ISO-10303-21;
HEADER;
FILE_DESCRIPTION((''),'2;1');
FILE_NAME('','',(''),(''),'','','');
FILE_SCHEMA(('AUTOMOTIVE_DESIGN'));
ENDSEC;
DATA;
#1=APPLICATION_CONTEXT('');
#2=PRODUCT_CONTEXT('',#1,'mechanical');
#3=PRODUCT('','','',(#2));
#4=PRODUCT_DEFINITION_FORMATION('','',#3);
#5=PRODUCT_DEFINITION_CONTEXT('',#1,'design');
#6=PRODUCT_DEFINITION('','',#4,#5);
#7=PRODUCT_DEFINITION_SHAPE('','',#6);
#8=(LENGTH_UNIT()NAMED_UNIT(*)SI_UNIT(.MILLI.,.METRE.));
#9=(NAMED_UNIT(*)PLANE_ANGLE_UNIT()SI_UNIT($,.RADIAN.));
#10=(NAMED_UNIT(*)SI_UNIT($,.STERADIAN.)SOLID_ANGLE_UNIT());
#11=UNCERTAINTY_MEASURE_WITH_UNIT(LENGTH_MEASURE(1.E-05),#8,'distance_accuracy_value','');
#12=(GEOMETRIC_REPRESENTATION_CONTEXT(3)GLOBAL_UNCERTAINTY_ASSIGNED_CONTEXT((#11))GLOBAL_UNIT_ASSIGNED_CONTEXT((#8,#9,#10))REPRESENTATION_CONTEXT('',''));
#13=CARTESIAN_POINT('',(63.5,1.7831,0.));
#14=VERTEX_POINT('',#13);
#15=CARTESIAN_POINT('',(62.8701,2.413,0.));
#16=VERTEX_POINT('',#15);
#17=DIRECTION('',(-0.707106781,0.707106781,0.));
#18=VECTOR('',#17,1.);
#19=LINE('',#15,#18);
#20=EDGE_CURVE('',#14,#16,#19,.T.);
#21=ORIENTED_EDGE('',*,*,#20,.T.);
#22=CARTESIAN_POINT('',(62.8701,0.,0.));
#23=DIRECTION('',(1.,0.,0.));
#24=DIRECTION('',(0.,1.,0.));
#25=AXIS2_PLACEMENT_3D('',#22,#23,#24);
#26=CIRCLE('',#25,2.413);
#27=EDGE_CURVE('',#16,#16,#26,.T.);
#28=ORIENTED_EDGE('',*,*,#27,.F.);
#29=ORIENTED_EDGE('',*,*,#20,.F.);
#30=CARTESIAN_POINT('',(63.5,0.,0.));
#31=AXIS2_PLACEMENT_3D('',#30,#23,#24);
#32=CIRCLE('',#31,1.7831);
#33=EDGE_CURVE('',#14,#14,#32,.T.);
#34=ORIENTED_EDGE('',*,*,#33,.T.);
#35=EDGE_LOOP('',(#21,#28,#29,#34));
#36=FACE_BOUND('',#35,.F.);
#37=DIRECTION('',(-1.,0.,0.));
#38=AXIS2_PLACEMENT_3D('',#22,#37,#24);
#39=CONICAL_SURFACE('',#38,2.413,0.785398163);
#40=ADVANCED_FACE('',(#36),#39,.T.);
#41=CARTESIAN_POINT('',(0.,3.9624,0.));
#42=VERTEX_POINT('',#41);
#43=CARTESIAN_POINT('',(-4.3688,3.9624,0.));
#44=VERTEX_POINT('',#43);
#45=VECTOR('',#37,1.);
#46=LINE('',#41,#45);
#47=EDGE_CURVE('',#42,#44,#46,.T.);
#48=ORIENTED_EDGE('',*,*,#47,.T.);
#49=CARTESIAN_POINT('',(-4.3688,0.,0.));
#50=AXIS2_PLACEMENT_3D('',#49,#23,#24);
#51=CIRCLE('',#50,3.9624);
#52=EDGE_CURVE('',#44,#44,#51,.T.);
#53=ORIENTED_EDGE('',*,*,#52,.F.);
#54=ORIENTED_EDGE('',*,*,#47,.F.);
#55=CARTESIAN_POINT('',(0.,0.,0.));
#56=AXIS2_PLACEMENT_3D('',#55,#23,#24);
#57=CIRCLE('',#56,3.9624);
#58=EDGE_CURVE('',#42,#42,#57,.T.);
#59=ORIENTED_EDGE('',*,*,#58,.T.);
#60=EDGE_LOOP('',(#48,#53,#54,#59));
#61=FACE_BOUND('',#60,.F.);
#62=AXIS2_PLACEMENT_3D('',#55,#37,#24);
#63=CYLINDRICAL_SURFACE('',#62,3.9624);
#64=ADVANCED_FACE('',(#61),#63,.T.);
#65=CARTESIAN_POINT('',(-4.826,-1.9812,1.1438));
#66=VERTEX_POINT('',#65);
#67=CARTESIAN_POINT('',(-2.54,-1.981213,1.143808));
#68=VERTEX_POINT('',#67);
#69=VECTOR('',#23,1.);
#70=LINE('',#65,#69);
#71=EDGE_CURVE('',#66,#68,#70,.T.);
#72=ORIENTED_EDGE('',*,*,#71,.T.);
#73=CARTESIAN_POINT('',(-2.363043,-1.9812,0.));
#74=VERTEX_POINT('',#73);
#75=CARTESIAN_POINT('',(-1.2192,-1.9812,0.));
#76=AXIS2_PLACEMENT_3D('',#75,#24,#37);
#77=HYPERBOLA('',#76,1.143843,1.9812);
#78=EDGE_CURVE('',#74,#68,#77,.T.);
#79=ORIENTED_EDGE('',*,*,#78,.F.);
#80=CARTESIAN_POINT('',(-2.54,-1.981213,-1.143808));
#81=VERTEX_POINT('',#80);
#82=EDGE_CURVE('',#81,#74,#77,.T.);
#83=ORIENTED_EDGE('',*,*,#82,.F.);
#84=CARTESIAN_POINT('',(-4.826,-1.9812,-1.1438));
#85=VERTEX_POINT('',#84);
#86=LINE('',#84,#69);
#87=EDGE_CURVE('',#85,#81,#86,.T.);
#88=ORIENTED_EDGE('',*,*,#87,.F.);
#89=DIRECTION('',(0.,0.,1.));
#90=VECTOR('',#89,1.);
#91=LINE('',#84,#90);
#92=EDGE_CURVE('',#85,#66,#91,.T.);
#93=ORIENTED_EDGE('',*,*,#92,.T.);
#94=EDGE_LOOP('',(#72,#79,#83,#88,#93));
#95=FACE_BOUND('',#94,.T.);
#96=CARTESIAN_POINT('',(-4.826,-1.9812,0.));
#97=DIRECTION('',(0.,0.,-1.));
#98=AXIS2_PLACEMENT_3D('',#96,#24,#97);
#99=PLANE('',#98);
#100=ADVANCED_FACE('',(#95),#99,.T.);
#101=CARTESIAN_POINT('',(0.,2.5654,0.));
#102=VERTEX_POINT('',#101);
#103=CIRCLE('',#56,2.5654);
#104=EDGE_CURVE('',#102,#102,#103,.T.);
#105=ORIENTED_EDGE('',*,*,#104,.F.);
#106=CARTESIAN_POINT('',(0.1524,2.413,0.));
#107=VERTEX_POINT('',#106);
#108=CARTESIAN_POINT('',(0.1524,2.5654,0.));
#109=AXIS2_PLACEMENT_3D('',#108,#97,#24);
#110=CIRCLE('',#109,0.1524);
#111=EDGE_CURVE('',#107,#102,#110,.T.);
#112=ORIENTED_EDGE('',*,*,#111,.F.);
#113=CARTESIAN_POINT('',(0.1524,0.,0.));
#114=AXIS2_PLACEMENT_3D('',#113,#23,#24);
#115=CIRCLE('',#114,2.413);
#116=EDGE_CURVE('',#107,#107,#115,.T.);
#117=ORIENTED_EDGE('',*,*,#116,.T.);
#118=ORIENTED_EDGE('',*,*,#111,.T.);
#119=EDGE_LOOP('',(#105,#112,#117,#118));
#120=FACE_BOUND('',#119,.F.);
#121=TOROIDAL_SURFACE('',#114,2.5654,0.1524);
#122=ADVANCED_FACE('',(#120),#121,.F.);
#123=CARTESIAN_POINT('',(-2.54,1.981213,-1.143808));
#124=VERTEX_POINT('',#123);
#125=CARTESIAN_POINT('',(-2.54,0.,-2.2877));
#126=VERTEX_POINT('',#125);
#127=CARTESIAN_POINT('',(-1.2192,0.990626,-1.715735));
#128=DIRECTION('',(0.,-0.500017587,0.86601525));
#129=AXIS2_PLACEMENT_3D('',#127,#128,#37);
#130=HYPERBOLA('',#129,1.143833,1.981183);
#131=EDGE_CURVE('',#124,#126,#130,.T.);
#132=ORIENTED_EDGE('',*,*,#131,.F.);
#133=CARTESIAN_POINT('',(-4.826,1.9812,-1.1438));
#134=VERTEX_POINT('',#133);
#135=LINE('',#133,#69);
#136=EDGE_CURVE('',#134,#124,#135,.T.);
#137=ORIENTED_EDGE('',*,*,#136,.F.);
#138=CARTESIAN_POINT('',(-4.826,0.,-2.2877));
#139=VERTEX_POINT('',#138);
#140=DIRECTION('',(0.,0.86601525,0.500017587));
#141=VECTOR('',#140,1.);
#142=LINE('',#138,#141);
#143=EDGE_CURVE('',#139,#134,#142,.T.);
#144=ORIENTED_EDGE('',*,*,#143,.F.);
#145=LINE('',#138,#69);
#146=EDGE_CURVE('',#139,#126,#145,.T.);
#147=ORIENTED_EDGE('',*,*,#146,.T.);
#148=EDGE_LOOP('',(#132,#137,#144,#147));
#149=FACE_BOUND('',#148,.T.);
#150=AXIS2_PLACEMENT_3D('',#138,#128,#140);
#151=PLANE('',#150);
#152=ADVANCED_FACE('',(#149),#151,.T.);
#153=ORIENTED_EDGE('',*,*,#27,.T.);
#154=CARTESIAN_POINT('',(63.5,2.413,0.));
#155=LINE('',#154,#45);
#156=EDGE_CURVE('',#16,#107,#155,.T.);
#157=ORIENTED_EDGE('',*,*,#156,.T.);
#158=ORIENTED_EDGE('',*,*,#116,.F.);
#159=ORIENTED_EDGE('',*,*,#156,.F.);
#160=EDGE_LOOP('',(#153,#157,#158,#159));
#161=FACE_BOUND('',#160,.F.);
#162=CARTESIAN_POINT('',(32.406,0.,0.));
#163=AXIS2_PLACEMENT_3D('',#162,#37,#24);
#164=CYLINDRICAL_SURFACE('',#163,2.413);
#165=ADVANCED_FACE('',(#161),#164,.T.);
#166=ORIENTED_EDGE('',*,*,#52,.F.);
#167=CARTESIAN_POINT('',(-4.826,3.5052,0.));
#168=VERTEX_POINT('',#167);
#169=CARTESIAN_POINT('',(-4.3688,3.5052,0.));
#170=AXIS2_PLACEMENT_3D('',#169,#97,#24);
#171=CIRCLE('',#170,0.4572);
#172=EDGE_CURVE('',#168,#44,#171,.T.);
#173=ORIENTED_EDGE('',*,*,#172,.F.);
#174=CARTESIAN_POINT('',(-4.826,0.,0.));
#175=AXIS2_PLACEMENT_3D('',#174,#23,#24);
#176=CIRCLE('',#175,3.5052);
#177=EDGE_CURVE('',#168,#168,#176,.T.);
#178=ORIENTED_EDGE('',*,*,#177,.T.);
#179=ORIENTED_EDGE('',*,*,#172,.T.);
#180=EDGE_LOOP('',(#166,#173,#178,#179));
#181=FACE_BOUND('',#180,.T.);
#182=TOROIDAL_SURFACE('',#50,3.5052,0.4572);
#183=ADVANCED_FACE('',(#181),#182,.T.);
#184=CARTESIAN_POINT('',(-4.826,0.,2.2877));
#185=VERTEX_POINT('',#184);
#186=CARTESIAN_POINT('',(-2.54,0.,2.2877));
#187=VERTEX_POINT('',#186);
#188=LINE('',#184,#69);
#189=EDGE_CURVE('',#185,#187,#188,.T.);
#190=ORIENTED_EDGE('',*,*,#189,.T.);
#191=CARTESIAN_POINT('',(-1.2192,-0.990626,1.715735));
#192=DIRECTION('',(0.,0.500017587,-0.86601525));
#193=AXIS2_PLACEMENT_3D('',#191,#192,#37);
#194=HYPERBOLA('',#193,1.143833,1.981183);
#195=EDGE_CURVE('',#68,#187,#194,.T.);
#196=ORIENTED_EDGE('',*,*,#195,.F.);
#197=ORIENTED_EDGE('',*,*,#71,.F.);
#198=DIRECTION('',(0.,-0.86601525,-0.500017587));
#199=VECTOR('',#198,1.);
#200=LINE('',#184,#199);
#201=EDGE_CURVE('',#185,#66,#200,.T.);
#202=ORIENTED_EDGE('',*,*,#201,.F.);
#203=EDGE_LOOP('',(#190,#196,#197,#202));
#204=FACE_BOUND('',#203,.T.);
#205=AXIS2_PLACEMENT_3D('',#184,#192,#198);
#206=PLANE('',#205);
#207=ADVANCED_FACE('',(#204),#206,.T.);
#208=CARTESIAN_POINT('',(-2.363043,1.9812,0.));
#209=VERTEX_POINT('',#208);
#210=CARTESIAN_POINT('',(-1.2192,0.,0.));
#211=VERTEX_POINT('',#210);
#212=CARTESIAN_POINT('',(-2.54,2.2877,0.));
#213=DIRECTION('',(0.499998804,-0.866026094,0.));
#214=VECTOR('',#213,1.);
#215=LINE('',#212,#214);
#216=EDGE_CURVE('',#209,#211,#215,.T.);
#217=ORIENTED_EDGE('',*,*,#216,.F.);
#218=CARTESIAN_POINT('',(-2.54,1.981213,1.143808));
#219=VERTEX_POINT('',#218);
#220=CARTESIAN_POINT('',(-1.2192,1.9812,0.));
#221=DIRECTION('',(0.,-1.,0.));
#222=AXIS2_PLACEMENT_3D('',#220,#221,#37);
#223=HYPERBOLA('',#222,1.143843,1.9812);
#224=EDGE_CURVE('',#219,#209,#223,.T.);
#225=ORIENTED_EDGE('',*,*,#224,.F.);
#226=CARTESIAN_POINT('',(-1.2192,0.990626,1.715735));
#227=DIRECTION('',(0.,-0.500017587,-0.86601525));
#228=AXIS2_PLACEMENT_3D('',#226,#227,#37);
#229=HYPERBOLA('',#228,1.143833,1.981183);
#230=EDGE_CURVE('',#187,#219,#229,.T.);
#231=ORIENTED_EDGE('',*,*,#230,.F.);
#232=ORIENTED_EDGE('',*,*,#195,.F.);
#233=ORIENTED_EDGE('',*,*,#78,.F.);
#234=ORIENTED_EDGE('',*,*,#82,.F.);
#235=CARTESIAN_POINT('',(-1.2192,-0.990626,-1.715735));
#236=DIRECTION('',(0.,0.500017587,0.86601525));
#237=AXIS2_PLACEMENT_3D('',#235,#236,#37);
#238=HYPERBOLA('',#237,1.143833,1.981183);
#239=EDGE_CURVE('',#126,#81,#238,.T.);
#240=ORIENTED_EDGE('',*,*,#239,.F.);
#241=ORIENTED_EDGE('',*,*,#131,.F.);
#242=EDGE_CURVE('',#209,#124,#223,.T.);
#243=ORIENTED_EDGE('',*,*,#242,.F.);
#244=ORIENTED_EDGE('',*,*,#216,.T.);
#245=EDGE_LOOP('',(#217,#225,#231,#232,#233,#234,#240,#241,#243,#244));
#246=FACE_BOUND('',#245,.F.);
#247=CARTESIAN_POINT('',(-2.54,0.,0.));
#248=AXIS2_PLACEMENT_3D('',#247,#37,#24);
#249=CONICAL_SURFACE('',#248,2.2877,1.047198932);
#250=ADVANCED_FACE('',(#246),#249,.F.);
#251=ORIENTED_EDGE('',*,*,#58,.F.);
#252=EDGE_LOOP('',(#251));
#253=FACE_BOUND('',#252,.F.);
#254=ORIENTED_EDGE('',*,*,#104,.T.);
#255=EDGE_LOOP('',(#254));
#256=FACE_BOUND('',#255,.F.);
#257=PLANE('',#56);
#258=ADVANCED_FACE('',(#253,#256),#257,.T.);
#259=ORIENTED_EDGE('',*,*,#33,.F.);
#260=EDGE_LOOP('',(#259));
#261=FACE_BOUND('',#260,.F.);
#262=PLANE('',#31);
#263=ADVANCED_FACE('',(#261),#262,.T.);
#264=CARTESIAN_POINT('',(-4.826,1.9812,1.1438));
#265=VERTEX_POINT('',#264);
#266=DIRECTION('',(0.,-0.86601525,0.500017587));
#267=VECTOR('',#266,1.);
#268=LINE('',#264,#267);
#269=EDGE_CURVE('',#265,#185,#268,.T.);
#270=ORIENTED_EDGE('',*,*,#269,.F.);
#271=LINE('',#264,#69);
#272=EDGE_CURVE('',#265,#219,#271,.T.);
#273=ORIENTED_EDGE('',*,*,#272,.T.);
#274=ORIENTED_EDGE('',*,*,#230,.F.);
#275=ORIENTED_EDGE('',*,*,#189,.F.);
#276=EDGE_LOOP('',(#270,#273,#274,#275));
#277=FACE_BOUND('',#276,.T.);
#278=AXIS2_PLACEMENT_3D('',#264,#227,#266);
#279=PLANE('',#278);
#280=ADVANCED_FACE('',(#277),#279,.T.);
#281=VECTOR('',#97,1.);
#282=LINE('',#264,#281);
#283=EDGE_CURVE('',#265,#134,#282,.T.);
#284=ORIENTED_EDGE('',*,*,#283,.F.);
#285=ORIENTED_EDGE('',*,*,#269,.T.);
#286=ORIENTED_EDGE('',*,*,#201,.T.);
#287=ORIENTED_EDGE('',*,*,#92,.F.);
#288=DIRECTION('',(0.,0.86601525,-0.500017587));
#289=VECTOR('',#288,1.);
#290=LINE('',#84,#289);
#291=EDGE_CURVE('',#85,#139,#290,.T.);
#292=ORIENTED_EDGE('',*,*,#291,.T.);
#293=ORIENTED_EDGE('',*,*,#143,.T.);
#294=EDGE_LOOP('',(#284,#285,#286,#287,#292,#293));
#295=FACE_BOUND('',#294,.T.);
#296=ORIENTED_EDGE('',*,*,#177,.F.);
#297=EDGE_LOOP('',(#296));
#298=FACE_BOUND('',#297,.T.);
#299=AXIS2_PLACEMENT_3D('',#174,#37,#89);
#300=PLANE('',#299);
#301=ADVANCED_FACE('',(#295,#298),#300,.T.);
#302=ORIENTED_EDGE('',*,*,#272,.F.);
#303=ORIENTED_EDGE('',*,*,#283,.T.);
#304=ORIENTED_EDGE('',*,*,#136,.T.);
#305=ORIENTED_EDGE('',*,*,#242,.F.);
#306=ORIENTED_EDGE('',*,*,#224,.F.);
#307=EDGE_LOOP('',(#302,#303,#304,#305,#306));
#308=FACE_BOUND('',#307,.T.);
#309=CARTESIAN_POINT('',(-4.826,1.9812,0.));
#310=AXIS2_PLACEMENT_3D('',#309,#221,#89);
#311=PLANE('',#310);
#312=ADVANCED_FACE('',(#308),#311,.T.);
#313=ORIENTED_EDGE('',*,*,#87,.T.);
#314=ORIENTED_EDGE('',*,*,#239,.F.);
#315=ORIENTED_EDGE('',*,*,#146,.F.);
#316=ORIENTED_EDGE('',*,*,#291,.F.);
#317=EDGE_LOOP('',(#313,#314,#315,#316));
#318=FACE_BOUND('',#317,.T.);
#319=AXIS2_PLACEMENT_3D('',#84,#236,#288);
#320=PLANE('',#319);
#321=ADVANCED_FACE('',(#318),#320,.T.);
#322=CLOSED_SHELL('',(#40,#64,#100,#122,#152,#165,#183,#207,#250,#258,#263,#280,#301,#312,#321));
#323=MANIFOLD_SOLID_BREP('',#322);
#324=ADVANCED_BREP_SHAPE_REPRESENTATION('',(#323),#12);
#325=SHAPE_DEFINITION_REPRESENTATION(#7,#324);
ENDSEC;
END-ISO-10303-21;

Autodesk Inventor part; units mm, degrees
ref_plane "YZ Plane" through (0, 0, 0) normal (1, 0, 0) x (0, 1, 0)
ref_plane "XZ Plane" through (0, 0, 0) normal (0, 1, 0) x (-1, 0, 0)
sketch "Sketch1" plane through (0, 0, 0) normal (0, 0, 1) x (1, 0, 0)
  line L0 (-1.2192, 0) -> (63.5, 0)
  line L1 (63.5, 0) -> (63.5, 2.413)
  line L2 (63.5, 2.413) -> (35.052, 2.413)
  line L3 (35.052, 2.413) -> (32.406, 2.413)
  line L4 (32.406, 2.413) -> (0, 2.413)
  line L5 (0, 2.413) -> (0, 3.9624)
  line L6 (0, 3.9624) -> (-4.826, 3.9624)
  line L7 (-4.826, 3.9624) -> (-4.826, 2.2877)
  line L8 (-4.826, 2.2877) -> (-2.54, 2.2877)
  line L9 (-2.54, 2.2877) -> (-1.2192, 0)
  line L10 (-18.4912, 0) -> (77.1652, 0) projected
  line L11 (0, -0.7925) -> (0, 4.7549) projected
  line L12 (35.052, 2.413) -> (0, 2.413) construction
  dimension "d1" = 28.448
  dimension "d2" = 2.646
  dimension "d3" = 4.826
  dimension "d4" = 2.286
  dimension "d5" = 60
  dimension "d6" = 4.826
  dimension "d7" = 4.826
  dimension "d8" = 4.5754
  dimension "d9" = 7.9248
  dimension "d26" = 63.5
revolve "Body" add sketch "Sketch1" angle 360 about axis through (-1.2192, 0, 0) along (1, 0, 0)
sketch "Sketch2" plane through (-4.826, 0, 0) normal (-1, 0, 0) x (0, 0, 1)
  circle A0 centre (0, 0) radius 2.2877 projected
  line L0 (0, -5.5474) -> (0, 5.5474) projected
  line L1 (-5.5474, 0) -> (5.5474, 0) projected
  line L2 (2.2877, 0) -> (1.1438, -1.9812)
  line L3 (1.1438, -1.9812) -> (-1.1438, -1.9812)
  line L4 (-1.1438, -1.9812) -> (-2.2877, 0)
  line L5 (-2.2877, 0) -> (-1.1438, 1.9812)
  line L6 (-1.1438, 1.9812) -> (1.1438, 1.9812)
  line L7 (1.1438, 1.9812) -> (2.2877, 0)
extrude "Slot" add sketch "Sketch2" against normal up to next contours L7 A0 | A0 L2 | L6 L0 A0 | A0 L0 L3 | L0 L6 A0 | A0 L3 L0 | L4 A0 | A0 L5
fillet "Fillet1" radius 0.4572 1 edges at (-4.826, -3.9624, 0)
thread "Thread" size "10-24 UNC" class "2A" standard "ANSI Unified Screw Threads" length 28.448
chamfer "Chamfer1" distance 0.6299 distance2 0.6299 1 edges at (63.5, -2.413, 0) measured on face at (63.5, -0.9495, -0.1286)
ref_plane "Work Plane1" through (29, 0, 0) normal (0, -1, 0) x (1, 0, 0)
fillet "Fillet2" radius 0.1524 1 edges at (0, -2.413, 0)
equation "\"d1\" = GEL"
equation "\"d3\" = KOH"
equation "\"d4\" = INTI"
equation "\"d6\" = GD"
equation "\"d7\" = BDM"
equation "\"d8\" = 1.1547 * SW"
equation "\"d9\" = KOD"
equation "\"d26\" = NLG"
equation "\"d30\" = R"
equation "\"d17\" = RR"
equation "\"d13\" = GEL"
equation "\"d15\" = -0.5 * SPD + 0.5 * GD"
equation "\"d16\" = GUL"
equation "\"GD\" = 4.826"
equation "\"NLG\" = 63.5"
equation "\"GEL\" = 28.448"
equation "\"KOD\" = 7.9248"
equation "\"KOH\" = 4.826"
equation "\"INTI\" = 2.286"
equation "\"GAL\" = 2.64592"
equation "\"GUL\" = 0.62992"
equation "\"BDM\" = 4.826"
equation "\"SW\" = 3.9624"
equation "\"RR\" = 0.4572"
equation "\"SPD\" = 3.56616"
equation "\"R\" = 0.1524"
equation "\"PHH\" = 0.127"
equation "\"GD1\" = SPD"
equation "\"THREADDIA\" = 4.826"
equation "\"FAWI\" = 45deg"
equation "\"KOH1\" = 4.3434"
equation "\"NND\" = 4.826"
equation "\"TOA\" = 30deg"
equation "\"E0\" = 1.155 * SW"
properties part number "ANSI B18.3 - No. 10 - 24 UNC - 2 1/2 HS HCS" material "Steel, Mild"
